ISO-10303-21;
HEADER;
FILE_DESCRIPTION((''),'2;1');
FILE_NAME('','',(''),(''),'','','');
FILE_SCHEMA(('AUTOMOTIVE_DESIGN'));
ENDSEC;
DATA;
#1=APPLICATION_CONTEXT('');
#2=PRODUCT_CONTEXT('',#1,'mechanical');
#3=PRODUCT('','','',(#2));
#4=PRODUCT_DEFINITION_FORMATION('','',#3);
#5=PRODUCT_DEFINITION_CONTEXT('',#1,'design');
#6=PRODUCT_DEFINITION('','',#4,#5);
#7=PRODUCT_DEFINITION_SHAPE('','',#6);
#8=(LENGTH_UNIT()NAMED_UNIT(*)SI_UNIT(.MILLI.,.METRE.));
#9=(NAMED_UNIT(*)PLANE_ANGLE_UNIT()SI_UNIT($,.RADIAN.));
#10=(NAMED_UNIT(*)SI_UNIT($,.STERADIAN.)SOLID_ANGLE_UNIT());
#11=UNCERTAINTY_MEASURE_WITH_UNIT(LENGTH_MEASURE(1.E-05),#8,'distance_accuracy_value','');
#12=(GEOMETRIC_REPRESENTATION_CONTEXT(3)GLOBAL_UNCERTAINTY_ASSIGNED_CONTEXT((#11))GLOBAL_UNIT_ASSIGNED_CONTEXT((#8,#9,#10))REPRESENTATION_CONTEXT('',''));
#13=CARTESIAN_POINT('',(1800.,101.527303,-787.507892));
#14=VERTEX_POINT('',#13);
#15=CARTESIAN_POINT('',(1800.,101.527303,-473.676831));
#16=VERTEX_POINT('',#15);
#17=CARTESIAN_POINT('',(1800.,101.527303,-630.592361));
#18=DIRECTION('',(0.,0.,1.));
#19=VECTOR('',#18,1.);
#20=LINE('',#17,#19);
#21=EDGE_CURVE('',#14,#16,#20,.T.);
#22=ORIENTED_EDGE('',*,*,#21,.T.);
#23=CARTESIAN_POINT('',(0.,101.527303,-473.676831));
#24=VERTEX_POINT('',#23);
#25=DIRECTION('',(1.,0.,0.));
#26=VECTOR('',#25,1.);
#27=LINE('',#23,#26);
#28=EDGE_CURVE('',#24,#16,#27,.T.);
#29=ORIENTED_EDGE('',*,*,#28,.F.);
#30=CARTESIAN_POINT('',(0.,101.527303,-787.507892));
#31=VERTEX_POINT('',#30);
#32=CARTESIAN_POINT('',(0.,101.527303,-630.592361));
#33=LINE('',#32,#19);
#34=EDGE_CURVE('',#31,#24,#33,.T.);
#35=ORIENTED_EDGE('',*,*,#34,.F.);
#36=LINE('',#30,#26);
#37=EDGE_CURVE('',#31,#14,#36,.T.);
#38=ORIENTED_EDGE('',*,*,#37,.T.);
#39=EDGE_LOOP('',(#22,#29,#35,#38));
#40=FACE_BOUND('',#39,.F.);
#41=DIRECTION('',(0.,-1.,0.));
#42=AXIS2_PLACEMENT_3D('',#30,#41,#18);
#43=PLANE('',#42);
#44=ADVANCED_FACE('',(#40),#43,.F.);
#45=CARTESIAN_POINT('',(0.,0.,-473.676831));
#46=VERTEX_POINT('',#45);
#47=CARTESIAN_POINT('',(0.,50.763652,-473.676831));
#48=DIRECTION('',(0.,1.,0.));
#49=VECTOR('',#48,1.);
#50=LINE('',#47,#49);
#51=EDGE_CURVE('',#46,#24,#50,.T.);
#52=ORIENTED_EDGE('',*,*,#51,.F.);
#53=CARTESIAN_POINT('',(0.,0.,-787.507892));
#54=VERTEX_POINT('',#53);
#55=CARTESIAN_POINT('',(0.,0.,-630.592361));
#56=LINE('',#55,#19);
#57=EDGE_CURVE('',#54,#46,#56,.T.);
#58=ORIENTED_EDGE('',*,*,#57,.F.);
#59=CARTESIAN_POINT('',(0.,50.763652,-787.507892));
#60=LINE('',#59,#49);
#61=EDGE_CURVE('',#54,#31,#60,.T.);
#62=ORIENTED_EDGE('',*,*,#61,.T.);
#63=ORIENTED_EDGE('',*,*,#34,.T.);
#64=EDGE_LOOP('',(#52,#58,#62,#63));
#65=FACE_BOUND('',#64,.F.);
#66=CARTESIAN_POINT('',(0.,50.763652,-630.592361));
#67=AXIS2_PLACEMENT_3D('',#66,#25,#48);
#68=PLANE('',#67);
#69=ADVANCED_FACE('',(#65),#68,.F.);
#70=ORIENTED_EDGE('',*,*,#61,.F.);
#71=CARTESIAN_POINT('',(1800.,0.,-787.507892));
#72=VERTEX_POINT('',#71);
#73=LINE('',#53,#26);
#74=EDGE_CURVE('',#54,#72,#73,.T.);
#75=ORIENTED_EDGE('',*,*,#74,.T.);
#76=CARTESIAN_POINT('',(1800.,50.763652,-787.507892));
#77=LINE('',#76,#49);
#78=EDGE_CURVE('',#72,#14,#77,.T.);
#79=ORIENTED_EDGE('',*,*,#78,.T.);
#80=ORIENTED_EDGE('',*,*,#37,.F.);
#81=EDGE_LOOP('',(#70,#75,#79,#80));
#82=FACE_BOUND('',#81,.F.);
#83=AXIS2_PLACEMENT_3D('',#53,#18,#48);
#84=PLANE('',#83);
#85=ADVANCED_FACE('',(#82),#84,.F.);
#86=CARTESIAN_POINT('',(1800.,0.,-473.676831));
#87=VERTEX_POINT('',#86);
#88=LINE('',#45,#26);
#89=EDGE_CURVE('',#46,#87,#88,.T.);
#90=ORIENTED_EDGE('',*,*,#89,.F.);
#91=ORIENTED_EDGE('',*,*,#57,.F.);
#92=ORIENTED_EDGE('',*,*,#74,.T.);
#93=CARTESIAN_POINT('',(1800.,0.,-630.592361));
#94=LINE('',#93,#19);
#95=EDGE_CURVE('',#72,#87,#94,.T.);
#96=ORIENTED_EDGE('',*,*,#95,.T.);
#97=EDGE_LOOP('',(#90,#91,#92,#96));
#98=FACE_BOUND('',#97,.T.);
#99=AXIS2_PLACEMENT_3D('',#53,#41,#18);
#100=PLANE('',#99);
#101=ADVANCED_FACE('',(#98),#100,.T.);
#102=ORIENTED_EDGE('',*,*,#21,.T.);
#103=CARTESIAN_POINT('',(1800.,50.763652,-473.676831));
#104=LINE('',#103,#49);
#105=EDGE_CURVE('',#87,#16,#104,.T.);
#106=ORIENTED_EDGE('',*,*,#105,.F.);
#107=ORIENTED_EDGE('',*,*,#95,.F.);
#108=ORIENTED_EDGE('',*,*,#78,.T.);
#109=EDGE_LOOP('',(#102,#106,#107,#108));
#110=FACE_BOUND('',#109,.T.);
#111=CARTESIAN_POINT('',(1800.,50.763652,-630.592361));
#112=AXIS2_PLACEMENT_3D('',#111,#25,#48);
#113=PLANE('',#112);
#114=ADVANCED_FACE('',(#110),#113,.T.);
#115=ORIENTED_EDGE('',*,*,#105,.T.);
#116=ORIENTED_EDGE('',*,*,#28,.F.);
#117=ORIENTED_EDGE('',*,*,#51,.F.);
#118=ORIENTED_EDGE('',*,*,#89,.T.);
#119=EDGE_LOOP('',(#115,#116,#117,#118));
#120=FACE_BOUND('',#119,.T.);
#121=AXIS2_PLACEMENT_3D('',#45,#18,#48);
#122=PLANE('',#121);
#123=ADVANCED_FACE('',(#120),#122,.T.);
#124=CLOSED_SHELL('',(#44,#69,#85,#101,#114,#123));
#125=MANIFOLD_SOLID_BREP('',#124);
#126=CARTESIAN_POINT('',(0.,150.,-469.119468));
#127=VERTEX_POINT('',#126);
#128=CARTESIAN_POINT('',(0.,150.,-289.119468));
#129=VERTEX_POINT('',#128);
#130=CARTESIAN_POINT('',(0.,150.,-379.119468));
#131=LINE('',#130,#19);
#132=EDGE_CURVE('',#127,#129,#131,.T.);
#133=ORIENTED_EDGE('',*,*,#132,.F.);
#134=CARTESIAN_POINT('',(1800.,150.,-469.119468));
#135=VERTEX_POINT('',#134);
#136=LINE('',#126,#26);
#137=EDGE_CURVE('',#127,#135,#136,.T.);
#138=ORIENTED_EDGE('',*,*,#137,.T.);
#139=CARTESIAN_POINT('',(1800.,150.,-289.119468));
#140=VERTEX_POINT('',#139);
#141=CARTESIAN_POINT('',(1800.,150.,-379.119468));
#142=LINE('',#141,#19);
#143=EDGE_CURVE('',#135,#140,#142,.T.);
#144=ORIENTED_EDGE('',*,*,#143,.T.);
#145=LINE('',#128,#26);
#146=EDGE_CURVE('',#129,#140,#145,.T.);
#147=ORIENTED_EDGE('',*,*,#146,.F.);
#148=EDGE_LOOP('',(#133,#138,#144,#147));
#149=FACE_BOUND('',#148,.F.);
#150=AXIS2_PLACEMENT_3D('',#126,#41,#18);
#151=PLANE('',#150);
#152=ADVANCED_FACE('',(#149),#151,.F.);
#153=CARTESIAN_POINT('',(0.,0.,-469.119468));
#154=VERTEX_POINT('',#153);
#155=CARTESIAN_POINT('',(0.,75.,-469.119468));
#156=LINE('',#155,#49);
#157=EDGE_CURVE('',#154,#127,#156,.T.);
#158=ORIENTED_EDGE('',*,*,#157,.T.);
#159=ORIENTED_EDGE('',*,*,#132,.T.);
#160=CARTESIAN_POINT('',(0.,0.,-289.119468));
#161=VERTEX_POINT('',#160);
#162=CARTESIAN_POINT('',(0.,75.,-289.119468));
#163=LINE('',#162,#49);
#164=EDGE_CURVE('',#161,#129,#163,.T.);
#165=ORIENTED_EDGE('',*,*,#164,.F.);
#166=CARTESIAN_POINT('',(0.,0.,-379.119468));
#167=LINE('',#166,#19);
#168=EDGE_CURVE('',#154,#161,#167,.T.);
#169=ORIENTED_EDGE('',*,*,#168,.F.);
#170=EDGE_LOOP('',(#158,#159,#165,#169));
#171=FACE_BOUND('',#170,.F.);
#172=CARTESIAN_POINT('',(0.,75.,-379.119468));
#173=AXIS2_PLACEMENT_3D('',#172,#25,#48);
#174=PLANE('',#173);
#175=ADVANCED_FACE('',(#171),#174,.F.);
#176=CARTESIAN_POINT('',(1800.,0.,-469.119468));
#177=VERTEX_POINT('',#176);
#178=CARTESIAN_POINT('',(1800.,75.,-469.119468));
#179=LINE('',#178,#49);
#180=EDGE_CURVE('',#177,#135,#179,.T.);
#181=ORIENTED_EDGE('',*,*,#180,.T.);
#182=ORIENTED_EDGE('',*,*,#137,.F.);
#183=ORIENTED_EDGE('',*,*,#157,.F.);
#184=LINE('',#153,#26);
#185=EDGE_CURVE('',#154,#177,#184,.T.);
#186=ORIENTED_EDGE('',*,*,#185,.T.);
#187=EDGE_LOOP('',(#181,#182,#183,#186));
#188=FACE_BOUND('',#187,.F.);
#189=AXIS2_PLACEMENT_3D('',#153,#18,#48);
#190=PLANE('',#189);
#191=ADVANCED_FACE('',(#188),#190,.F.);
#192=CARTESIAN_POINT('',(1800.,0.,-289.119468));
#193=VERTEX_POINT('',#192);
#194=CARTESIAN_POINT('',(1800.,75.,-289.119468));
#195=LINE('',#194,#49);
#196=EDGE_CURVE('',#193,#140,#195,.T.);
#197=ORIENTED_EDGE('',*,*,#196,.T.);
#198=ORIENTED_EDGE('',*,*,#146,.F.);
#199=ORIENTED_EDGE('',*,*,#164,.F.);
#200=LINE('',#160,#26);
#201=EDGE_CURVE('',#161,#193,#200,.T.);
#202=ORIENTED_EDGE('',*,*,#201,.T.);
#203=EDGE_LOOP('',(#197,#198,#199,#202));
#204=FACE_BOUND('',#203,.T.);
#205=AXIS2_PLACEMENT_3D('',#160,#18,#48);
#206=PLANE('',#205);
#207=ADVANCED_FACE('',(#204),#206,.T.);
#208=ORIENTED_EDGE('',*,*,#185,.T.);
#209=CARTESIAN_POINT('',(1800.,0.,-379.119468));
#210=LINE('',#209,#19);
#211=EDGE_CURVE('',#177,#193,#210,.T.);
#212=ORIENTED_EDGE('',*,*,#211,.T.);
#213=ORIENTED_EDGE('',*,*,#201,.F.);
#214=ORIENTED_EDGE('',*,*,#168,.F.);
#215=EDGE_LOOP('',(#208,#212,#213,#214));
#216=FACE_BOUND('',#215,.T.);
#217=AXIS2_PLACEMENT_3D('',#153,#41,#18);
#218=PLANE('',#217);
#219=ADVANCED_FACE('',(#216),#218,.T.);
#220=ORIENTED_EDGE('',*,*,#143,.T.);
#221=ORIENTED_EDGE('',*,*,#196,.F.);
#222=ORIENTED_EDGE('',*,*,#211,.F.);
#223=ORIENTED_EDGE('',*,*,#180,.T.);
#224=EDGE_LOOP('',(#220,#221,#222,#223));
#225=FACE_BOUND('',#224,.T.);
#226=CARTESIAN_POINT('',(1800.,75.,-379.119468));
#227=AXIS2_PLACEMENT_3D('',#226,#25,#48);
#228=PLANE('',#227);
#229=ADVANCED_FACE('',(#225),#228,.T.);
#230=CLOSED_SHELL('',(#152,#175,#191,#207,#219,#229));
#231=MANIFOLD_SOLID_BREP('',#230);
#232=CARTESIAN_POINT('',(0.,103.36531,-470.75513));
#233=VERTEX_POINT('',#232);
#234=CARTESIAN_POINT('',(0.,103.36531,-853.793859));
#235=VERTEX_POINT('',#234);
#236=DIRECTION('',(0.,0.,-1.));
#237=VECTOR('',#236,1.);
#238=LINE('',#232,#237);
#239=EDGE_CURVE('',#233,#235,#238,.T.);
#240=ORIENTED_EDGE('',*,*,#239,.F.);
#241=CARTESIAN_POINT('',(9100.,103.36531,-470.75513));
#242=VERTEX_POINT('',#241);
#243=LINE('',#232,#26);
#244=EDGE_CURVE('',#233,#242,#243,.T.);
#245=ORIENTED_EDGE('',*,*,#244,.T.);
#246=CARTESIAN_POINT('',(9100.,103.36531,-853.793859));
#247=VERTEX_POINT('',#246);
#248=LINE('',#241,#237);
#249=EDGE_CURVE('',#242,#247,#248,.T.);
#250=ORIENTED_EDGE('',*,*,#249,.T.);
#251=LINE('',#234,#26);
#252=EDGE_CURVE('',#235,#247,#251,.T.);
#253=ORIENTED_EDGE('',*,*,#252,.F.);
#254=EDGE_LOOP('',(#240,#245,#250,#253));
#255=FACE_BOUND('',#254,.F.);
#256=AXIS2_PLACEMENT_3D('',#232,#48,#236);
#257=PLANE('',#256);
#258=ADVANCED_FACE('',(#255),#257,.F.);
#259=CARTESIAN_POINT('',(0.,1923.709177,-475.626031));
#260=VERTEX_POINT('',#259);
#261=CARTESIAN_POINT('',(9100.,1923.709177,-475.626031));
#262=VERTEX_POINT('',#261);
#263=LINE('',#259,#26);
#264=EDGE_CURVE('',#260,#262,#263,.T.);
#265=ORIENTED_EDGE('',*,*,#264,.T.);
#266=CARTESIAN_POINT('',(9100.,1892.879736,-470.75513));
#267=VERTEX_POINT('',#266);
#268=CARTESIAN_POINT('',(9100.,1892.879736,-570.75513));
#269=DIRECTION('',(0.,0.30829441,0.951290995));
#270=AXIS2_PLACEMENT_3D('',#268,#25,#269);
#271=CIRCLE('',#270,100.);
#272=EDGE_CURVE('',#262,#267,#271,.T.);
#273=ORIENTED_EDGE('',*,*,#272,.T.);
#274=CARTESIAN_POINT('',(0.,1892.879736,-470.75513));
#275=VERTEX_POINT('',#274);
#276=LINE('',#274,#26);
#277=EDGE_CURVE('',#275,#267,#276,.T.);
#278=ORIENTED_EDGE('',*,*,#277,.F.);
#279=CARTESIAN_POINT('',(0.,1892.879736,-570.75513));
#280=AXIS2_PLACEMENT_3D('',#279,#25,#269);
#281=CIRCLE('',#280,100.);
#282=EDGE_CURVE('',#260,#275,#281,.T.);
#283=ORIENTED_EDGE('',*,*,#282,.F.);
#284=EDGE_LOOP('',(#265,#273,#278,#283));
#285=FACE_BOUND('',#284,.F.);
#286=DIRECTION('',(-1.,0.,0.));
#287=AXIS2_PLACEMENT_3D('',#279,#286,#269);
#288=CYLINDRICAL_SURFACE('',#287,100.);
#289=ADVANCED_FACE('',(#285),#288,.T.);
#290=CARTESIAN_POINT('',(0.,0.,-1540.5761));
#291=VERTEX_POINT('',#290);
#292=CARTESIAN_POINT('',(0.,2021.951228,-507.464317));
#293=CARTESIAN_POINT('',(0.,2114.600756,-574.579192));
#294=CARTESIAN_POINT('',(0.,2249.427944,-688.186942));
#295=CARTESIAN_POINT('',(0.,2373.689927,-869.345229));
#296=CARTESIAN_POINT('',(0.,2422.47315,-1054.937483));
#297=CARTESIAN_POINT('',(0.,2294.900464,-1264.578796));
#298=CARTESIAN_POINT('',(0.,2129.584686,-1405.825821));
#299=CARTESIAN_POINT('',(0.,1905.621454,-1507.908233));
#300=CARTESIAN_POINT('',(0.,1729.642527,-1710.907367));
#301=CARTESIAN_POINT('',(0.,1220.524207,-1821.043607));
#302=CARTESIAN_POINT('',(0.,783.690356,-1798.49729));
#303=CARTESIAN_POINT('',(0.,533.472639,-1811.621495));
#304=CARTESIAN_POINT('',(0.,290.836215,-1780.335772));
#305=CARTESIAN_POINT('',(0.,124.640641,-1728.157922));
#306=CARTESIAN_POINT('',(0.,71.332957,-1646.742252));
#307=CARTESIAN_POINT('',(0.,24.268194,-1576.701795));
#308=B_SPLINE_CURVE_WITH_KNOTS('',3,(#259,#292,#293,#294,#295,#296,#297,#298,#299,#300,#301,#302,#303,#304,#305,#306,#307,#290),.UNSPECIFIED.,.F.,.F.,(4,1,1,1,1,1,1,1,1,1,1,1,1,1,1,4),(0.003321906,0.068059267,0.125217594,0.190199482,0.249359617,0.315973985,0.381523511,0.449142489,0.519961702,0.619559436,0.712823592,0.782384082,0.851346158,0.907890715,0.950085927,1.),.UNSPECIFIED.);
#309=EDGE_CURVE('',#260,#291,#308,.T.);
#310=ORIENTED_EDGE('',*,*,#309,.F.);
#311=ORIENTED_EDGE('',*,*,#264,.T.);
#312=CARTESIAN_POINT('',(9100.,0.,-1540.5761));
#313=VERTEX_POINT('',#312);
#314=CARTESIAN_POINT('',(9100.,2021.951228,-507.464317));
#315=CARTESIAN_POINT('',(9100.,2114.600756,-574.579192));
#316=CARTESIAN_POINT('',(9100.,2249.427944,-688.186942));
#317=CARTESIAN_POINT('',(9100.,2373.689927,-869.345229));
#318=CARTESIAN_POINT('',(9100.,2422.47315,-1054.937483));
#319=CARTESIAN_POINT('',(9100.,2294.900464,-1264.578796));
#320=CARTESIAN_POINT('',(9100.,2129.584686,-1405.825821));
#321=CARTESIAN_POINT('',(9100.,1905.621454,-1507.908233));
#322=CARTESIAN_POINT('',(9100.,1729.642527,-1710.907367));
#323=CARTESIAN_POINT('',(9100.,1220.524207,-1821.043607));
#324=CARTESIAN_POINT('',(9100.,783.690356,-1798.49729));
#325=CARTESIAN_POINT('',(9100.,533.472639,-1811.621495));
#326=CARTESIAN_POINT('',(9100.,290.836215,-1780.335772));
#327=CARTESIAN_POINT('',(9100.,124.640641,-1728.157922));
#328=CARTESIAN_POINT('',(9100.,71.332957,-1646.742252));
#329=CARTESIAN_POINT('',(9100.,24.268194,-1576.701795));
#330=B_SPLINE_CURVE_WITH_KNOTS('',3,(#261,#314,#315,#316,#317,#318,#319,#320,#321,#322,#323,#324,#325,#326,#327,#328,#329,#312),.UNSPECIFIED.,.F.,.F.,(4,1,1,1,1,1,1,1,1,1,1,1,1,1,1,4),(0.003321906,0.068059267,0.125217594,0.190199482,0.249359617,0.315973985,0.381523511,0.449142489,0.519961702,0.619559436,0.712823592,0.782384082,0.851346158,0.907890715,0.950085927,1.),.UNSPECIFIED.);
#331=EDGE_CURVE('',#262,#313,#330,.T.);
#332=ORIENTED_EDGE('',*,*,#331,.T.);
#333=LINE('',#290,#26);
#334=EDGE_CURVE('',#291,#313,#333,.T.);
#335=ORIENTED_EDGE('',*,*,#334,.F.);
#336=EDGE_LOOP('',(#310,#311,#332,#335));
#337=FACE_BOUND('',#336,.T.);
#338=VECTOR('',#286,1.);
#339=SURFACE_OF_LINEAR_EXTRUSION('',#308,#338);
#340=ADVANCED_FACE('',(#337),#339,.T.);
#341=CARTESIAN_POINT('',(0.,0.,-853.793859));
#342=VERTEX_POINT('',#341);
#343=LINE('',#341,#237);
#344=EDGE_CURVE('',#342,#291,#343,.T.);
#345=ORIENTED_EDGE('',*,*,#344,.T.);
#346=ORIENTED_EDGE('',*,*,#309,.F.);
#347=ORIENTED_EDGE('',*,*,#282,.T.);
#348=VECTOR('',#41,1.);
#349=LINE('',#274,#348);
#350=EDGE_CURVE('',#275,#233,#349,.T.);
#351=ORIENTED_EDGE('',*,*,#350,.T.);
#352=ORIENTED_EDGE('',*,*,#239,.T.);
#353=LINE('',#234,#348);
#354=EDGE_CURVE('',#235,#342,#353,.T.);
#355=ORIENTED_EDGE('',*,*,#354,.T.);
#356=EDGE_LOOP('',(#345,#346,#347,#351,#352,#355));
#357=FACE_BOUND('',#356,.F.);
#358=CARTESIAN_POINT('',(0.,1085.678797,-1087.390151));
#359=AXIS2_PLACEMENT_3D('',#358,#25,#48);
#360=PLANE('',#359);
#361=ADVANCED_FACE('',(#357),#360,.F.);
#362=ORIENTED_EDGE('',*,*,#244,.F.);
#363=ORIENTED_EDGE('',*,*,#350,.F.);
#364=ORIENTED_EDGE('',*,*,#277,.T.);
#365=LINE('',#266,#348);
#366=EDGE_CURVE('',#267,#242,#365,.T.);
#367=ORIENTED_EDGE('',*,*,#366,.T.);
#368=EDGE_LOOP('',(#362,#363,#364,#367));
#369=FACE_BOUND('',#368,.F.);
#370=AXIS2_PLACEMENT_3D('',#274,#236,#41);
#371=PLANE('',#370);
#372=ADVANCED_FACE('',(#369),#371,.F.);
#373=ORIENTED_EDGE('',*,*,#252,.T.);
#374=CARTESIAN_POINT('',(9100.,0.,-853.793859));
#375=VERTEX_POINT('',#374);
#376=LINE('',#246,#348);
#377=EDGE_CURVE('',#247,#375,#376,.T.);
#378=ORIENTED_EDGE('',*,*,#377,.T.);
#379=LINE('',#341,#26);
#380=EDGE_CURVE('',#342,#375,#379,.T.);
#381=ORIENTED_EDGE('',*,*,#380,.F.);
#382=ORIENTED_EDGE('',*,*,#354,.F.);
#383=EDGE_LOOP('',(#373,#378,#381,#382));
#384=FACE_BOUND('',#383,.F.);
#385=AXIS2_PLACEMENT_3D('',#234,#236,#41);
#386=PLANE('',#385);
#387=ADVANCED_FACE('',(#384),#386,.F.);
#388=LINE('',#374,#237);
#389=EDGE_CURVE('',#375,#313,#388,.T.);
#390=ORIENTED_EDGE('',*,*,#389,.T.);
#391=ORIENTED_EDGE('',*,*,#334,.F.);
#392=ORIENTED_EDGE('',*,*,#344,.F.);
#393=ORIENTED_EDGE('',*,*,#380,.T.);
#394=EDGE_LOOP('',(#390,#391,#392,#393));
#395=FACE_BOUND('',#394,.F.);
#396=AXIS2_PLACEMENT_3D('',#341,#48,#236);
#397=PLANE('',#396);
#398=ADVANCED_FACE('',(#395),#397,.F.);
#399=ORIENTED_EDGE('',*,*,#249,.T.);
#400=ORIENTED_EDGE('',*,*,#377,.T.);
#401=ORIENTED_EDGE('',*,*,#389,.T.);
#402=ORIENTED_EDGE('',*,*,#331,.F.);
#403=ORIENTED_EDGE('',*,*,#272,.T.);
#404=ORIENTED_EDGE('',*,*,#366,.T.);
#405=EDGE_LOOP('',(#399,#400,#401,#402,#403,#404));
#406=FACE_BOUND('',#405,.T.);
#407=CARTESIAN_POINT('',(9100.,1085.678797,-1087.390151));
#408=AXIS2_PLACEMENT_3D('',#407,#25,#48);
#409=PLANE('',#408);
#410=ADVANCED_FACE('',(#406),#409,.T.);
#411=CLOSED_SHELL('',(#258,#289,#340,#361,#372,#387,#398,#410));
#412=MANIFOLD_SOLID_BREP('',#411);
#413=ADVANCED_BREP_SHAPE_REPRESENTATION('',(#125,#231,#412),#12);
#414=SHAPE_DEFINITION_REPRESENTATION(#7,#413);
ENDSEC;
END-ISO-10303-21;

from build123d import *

# Parameters (mm, degrees)
F0_W     = 150
F0_H     = 180
F2_DEPTH = 1800
F1_W     = 101.5273034573
F1_H     = 313.8310611248
F3_DEPTH = 1800
F5_DEPTH = 9100


with BuildPart() as f2:
    # F0 (on Right) → F2 (new body)
    with BuildSketch(Plane.YZ):
        with Locations((75, -379.1194679699)):
            Rectangle(F0_W, F0_H)
    extrude(amount=F2_DEPTH)


with BuildPart() as f3:
    # F1 (on Right) → F3 (new body)
    with BuildSketch(Plane.YZ):
        with Locations((50.7636517286, -630.5923610926)):
            Rectangle(F1_W, F1_H)
    extrude(amount=F3_DEPTH)


with BuildPart() as f5:
    # F4 (on Right) → F5 (new body)
    with BuildSketch(Plane.YZ):
        with BuildLine():
            Line((1892.8797360895, -470.7551300526), (103.3653095365, -470.7551300526))
            Line((103.3653095365, -470.7551300526), (103.3653095365, -853.7938594818))
            Line((103.3653095365, -853.7938594818), (0, -853.7938594818))
            Line((0, -853.7938594818), (0, -1540.5761003494))
            add(Edge.make_bspline(
                [(1923.7091770953, -475.6260305758), (2021.9512276147, -507.4643168356), (2114.6007561157, -574.5791921256), (2249.4279442365, -688.1869419876), (2373.689926805, -869.3452291568), (2422.473149728, -1054.9374831824), (2294.9004643375, -1264.5787956653), (2129.584685818, -1405.8258208718), (1905.6214540672, -1507.908233405), (1729.6425266662, -1710.9073670417), (1220.5242073932, -1821.0436072173), (783.690356481, -1798.497289961), (533.4726392689, -1811.6214951257), (290.8362151937, -1780.3357721623), (124.6406409215, -1728.1579217684), (71.3329574678, -1646.7422520232), (24.26819364, -1576.7017946172), (0, -1540.5761003494)],
                knots=[0.0033219062, 0.0033219062, 0.0033219062, 0.0033219062, 0.0680592667, 0.1252175941, 0.1901994824, 0.2493596167, 0.3159739851, 0.3815235111, 0.4491424894, 0.5199617022, 0.6195594363, 0.7128235923, 0.7823840817, 0.8513461576, 0.9078907149, 0.9500859275, 1, 1, 1, 1], degree=3))
            ThreePointArc((1923.7091770953, -475.6260305758), (1908.4856652883, -471.9803611394), (1892.8797360895, -470.7551300526))
        make_face()
    extrude(amount=F5_DEPTH)


solid = Compound([f2.part, f3.part, f5.part])
